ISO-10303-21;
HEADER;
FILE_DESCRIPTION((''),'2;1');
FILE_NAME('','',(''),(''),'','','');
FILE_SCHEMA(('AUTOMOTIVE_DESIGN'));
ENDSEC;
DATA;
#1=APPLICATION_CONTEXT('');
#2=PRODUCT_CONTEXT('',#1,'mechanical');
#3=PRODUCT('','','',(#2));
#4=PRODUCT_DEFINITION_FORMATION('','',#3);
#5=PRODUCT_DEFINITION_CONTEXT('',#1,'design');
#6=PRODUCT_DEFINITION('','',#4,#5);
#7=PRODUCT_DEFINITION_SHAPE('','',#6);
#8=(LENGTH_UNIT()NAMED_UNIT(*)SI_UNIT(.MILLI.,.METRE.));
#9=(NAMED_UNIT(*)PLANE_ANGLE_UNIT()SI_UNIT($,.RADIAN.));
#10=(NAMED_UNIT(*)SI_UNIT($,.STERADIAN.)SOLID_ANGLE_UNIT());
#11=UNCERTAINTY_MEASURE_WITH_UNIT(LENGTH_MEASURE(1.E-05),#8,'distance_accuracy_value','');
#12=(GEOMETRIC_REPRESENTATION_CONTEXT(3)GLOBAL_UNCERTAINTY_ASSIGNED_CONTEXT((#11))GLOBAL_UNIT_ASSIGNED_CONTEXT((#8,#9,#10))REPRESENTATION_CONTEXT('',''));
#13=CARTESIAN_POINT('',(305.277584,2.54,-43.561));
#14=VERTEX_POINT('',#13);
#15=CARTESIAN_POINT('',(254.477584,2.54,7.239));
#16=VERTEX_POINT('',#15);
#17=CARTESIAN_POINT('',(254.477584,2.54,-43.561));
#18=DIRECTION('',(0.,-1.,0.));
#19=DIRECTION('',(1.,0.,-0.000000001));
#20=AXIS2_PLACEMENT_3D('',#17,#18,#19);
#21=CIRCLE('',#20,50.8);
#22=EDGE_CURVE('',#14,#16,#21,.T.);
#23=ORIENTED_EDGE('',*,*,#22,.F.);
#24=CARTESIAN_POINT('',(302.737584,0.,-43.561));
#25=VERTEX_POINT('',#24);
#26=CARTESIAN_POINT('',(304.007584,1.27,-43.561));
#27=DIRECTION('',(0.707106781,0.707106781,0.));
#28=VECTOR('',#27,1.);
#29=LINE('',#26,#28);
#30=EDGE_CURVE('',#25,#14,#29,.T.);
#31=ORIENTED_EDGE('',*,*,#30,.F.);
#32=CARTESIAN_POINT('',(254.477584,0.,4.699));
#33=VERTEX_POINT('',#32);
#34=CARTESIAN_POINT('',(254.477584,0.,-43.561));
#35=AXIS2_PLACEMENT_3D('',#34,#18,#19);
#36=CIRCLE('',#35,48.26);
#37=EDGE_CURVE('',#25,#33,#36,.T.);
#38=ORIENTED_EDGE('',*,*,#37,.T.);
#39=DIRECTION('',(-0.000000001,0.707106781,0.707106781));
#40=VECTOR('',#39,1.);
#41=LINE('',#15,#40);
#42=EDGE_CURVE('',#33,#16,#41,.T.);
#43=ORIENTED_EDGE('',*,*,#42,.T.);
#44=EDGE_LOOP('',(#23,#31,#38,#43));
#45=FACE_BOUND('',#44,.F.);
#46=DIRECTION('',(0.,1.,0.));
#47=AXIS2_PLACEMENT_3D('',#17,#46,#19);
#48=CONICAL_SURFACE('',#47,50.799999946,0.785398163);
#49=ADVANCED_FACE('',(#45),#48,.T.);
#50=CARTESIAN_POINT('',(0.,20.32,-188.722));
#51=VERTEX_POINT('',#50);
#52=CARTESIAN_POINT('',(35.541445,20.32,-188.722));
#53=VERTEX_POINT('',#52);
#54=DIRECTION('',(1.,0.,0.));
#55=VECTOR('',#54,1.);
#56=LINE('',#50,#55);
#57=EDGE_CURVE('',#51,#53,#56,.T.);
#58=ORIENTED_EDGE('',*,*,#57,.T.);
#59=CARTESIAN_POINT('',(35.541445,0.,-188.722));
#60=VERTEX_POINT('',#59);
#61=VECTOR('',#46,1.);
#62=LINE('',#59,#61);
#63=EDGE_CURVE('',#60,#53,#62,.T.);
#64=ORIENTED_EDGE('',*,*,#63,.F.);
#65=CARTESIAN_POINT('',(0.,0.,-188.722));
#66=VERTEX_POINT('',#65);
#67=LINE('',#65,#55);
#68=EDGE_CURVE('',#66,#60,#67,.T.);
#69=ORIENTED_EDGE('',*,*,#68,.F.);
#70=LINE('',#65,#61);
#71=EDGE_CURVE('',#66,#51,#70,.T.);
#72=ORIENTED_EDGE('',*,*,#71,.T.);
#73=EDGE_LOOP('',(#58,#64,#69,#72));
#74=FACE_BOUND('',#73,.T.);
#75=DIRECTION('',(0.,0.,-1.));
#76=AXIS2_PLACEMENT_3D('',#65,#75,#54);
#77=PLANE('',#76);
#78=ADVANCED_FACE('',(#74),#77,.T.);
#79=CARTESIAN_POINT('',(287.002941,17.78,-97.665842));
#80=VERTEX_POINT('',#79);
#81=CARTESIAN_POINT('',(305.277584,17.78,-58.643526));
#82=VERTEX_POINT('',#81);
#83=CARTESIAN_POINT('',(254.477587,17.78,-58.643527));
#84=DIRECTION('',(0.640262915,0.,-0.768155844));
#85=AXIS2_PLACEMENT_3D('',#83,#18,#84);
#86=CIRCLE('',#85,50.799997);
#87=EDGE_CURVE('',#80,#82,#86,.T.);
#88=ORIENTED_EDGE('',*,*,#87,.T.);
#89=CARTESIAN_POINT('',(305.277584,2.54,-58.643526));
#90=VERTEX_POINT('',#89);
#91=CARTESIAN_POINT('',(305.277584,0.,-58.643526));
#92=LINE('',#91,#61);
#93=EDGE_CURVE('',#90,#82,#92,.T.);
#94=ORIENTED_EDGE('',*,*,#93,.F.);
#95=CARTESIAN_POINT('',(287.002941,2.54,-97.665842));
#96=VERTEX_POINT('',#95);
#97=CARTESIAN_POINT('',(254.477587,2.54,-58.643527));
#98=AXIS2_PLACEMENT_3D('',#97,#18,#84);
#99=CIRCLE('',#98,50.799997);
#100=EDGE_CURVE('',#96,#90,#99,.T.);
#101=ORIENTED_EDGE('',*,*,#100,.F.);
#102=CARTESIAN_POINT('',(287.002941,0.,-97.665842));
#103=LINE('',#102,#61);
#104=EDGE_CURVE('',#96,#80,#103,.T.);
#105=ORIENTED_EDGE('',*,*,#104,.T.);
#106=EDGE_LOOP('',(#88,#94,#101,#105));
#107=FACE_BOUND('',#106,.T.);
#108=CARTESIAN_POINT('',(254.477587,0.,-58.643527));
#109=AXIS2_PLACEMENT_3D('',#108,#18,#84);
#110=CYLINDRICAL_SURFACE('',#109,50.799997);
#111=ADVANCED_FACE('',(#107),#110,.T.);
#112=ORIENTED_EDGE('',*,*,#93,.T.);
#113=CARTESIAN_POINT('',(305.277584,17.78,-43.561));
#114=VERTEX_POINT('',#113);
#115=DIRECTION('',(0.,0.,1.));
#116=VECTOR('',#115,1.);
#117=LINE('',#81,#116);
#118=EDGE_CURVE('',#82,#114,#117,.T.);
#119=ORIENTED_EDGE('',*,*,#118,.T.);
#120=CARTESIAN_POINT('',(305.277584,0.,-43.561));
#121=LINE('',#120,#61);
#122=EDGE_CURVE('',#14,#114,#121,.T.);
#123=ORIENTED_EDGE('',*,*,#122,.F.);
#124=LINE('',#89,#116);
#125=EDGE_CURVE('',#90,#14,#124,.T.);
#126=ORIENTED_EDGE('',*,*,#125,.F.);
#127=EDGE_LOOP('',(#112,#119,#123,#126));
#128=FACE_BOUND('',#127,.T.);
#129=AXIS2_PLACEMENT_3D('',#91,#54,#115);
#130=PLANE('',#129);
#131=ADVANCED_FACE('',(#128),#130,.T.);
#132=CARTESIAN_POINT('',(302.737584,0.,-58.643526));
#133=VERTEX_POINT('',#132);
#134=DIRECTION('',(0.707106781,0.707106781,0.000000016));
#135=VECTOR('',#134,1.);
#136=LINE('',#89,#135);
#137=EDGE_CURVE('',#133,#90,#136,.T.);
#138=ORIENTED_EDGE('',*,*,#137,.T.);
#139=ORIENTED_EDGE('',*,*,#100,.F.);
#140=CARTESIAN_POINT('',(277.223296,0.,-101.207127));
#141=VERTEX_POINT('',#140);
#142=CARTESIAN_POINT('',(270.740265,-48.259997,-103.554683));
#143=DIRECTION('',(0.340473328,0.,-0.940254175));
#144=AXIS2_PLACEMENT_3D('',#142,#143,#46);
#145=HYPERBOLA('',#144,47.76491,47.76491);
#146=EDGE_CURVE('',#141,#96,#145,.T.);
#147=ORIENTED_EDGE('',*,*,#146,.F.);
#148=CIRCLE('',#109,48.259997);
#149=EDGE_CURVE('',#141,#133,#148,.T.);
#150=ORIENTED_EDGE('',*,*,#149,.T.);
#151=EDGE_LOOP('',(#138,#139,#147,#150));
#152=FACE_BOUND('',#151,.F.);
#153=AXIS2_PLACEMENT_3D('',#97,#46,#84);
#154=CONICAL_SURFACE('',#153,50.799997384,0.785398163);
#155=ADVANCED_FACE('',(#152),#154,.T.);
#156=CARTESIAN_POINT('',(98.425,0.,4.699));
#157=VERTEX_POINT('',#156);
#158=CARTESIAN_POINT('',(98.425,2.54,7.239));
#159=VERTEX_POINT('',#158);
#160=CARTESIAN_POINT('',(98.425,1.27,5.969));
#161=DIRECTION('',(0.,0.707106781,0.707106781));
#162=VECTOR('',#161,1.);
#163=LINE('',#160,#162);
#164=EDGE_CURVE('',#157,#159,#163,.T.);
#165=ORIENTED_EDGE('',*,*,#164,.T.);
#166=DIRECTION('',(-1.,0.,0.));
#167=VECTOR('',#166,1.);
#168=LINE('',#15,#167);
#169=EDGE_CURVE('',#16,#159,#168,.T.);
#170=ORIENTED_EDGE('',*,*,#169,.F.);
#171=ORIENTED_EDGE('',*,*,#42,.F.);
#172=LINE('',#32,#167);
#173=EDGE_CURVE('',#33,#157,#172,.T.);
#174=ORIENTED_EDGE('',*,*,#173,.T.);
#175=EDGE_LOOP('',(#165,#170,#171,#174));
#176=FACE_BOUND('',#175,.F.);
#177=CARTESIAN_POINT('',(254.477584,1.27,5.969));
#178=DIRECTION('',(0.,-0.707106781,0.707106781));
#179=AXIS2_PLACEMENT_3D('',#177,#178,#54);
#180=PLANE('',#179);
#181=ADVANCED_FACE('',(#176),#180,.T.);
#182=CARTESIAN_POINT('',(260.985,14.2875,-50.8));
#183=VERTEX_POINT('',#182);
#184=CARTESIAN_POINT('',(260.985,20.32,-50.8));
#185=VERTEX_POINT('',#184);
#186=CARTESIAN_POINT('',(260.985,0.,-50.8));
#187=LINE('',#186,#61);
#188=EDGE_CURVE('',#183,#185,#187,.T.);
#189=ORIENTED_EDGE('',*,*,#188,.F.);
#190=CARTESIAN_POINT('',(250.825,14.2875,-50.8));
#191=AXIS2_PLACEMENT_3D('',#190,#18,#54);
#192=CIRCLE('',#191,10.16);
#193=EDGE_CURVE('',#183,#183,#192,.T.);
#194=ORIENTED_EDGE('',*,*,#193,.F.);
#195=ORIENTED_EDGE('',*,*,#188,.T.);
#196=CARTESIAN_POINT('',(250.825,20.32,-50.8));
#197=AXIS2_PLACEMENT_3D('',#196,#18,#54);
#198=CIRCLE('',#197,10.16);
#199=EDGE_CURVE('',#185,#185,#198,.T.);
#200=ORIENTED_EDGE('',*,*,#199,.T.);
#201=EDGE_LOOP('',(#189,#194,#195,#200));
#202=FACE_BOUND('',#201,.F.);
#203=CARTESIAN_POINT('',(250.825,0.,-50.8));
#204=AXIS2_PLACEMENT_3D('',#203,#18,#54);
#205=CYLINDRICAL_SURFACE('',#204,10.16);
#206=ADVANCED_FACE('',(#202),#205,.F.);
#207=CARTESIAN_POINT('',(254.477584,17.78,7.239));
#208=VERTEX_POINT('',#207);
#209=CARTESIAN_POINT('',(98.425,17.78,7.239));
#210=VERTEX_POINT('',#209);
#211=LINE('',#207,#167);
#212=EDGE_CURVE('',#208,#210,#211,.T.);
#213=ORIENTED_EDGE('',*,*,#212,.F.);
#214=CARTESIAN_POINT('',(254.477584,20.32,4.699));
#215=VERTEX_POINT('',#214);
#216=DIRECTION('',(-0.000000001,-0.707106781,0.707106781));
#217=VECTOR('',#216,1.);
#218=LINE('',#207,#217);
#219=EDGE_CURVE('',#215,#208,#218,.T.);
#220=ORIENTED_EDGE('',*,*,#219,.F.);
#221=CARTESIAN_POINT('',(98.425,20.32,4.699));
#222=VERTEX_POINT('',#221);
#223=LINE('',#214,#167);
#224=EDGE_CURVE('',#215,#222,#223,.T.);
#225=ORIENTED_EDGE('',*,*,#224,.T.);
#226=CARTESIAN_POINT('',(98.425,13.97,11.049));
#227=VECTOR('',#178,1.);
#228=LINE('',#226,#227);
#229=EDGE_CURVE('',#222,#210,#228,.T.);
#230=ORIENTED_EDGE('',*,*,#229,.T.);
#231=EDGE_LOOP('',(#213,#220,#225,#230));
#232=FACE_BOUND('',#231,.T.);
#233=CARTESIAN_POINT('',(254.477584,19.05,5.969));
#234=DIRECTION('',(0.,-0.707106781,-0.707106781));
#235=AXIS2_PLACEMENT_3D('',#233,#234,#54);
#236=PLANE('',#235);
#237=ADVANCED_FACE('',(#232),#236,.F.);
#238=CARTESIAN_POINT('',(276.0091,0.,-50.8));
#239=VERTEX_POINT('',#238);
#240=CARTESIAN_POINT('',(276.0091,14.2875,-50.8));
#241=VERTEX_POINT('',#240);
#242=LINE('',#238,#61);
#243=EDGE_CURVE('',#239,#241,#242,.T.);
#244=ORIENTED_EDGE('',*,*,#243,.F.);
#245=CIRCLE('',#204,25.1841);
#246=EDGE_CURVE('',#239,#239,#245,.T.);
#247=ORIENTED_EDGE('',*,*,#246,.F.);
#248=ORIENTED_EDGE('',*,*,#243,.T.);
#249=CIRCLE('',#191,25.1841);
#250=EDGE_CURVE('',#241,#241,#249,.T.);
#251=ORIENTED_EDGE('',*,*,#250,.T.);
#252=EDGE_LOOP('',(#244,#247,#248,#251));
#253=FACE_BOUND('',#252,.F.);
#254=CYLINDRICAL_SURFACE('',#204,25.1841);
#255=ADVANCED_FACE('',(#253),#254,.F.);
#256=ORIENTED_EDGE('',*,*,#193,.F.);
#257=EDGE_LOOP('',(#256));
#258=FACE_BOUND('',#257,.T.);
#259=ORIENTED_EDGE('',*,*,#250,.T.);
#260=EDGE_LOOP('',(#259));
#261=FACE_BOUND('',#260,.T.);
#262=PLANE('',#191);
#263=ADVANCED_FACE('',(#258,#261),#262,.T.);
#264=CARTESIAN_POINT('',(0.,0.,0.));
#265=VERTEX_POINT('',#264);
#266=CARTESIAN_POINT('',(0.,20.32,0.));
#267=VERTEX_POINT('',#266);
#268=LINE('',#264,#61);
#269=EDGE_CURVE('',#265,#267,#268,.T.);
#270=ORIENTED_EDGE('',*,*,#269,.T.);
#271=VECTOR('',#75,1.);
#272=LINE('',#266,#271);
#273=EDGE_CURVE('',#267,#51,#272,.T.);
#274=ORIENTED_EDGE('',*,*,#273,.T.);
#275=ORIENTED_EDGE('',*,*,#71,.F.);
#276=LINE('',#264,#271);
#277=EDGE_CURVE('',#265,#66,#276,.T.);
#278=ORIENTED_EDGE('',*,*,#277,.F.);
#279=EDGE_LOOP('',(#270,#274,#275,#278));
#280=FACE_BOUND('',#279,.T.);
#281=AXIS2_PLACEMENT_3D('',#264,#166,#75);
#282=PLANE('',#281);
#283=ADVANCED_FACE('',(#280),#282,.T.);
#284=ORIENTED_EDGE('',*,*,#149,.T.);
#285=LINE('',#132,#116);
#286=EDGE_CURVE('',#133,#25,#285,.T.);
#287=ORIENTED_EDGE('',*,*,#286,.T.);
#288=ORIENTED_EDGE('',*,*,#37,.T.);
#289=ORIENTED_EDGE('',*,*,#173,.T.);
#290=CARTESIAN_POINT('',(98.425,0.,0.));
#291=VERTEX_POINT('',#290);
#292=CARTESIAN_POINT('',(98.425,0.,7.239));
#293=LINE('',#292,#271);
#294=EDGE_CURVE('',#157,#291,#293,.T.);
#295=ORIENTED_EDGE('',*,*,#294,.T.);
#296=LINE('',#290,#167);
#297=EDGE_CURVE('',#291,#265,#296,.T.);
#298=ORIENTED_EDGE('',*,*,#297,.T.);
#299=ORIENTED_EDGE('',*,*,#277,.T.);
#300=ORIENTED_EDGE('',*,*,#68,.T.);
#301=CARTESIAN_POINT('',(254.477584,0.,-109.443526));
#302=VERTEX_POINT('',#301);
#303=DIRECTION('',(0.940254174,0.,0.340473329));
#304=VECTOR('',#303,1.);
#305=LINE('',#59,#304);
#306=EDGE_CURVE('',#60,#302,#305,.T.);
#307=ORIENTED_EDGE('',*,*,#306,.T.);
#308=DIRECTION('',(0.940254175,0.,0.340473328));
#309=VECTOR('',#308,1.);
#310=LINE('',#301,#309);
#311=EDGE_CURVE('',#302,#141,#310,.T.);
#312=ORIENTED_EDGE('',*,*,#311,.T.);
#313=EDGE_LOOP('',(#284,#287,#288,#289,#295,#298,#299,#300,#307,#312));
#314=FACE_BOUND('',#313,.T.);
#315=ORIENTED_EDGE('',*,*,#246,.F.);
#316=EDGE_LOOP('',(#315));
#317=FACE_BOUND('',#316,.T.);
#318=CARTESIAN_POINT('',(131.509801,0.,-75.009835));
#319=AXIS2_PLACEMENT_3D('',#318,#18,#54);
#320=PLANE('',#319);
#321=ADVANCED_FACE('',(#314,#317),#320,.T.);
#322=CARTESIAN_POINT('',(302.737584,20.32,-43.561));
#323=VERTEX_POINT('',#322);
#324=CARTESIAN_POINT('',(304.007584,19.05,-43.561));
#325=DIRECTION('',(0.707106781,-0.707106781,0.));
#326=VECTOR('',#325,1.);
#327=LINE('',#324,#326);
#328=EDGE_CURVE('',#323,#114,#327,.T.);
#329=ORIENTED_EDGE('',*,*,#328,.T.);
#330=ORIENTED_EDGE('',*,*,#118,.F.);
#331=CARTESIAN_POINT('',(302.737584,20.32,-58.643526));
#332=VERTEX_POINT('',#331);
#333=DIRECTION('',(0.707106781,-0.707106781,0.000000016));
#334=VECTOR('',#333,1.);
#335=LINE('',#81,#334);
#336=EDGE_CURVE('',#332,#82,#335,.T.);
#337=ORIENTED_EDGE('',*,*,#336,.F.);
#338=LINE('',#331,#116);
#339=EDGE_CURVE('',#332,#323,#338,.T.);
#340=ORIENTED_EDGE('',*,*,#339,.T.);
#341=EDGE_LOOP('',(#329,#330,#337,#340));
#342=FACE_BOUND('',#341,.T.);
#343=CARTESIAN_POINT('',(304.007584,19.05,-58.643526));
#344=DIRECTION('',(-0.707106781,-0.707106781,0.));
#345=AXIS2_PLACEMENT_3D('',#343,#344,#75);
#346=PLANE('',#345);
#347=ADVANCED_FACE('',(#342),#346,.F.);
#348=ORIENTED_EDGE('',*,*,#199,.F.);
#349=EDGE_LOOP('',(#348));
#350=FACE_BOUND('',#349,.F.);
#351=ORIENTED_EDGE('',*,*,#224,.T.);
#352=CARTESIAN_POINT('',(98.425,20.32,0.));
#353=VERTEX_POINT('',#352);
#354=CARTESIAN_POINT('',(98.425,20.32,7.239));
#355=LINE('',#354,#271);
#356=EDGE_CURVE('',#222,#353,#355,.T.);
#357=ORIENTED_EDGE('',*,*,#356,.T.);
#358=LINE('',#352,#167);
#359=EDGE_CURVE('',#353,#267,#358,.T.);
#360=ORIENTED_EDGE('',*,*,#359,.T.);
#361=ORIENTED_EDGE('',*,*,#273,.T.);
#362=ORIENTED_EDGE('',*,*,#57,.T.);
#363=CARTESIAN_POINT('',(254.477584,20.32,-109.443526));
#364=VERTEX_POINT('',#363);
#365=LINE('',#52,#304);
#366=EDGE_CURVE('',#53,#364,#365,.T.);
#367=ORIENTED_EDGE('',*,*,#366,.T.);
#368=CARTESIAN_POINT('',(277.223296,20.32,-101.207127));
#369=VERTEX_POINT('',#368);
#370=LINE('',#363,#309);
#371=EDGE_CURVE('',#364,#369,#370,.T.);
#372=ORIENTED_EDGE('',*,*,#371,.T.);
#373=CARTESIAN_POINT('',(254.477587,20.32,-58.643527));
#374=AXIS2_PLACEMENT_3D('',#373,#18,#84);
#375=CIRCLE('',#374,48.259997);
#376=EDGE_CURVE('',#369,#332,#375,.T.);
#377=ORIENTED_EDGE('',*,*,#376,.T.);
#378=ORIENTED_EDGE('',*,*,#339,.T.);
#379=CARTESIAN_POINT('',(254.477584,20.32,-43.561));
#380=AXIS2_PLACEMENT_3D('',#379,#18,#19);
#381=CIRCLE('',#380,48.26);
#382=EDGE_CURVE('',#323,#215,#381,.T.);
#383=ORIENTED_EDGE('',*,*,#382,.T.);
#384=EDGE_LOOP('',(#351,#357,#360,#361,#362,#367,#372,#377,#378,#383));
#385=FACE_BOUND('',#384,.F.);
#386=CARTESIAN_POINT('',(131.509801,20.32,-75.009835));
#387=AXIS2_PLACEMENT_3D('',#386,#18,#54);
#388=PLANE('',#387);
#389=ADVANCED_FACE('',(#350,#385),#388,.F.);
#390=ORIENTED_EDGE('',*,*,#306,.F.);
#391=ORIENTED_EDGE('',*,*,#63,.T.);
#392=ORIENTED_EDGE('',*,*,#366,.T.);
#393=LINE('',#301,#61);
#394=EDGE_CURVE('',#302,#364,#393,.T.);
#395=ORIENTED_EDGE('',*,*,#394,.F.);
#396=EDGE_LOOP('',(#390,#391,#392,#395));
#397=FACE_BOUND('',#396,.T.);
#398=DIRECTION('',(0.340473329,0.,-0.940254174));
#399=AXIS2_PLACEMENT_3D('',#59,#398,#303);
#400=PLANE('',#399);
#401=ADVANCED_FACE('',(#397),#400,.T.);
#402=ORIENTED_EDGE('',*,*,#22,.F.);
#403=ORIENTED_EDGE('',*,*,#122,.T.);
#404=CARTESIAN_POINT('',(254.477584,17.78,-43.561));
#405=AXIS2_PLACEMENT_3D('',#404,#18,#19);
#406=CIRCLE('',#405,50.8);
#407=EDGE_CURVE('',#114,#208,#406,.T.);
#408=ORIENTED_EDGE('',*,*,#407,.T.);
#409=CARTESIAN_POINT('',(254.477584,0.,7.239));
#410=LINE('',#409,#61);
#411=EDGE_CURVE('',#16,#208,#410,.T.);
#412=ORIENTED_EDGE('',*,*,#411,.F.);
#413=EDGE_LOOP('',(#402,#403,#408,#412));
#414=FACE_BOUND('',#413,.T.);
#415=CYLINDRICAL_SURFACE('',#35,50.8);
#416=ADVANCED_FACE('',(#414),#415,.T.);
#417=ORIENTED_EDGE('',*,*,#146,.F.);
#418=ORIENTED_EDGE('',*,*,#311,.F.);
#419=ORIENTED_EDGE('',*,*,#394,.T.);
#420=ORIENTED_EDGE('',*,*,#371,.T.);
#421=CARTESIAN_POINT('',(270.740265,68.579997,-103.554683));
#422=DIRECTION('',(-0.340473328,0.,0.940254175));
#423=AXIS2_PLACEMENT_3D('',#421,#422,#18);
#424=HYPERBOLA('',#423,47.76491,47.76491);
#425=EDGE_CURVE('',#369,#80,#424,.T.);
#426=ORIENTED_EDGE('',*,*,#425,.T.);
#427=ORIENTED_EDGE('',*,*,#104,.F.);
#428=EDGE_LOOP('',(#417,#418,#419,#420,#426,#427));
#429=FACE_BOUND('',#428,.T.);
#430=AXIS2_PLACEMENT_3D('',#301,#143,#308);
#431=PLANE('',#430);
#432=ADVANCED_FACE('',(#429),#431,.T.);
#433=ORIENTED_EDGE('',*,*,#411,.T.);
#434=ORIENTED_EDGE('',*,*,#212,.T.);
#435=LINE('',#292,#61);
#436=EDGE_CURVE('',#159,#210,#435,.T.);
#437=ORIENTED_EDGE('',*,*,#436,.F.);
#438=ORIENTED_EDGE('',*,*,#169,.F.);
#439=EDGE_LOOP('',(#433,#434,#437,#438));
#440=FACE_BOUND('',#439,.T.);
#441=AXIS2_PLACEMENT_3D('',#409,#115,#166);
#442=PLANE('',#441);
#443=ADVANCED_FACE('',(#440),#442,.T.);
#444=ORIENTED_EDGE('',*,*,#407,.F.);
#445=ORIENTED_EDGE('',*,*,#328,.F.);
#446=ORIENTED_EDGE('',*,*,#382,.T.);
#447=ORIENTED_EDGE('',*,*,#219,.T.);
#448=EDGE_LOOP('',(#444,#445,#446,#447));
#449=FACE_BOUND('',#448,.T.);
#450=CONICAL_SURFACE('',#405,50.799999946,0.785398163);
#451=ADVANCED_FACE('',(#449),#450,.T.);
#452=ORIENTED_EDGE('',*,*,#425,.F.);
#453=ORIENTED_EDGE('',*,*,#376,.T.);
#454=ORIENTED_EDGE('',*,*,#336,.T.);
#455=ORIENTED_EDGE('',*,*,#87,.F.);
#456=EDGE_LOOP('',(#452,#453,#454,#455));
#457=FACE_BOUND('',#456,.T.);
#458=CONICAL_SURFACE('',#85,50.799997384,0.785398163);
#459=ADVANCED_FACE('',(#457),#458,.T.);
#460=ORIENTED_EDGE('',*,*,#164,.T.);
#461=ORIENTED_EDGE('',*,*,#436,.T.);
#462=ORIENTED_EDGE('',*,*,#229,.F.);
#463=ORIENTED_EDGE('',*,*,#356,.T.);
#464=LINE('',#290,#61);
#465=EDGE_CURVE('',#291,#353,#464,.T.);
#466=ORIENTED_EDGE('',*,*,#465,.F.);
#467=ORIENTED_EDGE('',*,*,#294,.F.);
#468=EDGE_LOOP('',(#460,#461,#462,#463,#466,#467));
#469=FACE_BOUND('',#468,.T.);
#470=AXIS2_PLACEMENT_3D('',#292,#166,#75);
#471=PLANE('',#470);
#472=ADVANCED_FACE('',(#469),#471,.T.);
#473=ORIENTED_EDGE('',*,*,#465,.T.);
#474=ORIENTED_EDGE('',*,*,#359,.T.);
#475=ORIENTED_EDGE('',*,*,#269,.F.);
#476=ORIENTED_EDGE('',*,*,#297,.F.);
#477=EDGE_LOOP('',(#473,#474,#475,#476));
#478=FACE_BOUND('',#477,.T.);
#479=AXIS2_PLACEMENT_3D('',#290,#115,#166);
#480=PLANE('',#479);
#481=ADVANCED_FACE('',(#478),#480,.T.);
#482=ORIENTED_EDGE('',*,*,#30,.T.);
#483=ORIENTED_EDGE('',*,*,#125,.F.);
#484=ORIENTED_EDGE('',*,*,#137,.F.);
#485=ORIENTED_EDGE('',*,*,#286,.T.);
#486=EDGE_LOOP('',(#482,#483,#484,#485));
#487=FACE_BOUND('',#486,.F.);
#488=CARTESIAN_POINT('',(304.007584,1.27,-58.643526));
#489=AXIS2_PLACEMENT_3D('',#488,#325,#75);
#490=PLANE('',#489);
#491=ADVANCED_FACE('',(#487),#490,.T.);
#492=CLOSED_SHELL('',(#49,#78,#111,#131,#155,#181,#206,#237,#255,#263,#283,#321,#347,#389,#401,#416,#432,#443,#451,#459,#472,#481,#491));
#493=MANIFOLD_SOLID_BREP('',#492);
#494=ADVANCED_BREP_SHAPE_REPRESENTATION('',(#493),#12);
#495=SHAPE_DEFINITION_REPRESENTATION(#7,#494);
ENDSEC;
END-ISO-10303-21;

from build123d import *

# Parameters (mm, degrees)
F0_R     = 25.1841
F0_R_2   = 10.16
F1_DEPTH = 20.32
F2_DEPTH = 14.2875
F3_DEPTH = 25.4
F4_SIZE  = 2.54


with BuildPart() as f1:
    # F0 (on Front) → F1 (new body)
    with BuildSketch(Plane.XZ):
        with BuildLine():
            Line((98.425, 0), (0, 0))
            Line((0, 0), (0, -188.722))
            Line((0, -188.722), (35.541445, -188.722))
            Line((35.541445, -188.722), (254.477584, -109.443526))
            Line((254.477584, -109.443526), (287.002941, -97.665842))
            ThreePointArc((287.002941, -97.665842), (300.482628, -80.188269), (305.277584, -58.643526))
            Line((305.277584, -58.643526), (305.277584, -43.561))
            ThreePointArc((305.277584, -43.561), (290.398609, -7.639976), (254.477584, 7.239))
            Line((254.477584, 7.239), (152.877584, 7.239))
            Line((152.877584, 7.239), (98.425, 7.239))
            Line((98.425, 7.239), (98.425, 0))
        make_face()
        with Locations((250.825, -50.8)):
            Circle(F0_R, mode=Mode.SUBTRACT)
        with Locations((250.825, -50.8)):
            Circle(F0_R)
        with Locations((250.825, -50.8)):
            Circle(F0_R_2, mode=Mode.SUBTRACT)
        with Locations((250.825, -50.8)):
            Circle(F0_R_2)
    extrude(amount=-F1_DEPTH)

    # F0 (on Front) → F2 (cut)
    with BuildSketch(Plane.XZ):
        with Locations((250.825, -50.8)):
            Circle(F0_R)
        with Locations((250.825, -50.8)):
            Circle(F0_R_2, mode=Mode.SUBTRACT)
    extrude(amount=-F2_DEPTH, mode=Mode.SUBTRACT)

    # F0 (on Front) → F3 (cut)
    with BuildSketch(Plane.XZ):
        with Locations((250.825, -50.8)):
            Circle(F0_R_2)
    extrude(amount=-F3_DEPTH, mode=Mode.SUBTRACT)

    # F4
    f4_edges = [f1.edges().sort_by_distance(p)[0] for p in [
        (176.451292, 0, 7.239),
        (176.451292, 20.32, 7.239),
    ]]
    chamfer(f4_edges, length=F4_SIZE)


solid = f1.part
